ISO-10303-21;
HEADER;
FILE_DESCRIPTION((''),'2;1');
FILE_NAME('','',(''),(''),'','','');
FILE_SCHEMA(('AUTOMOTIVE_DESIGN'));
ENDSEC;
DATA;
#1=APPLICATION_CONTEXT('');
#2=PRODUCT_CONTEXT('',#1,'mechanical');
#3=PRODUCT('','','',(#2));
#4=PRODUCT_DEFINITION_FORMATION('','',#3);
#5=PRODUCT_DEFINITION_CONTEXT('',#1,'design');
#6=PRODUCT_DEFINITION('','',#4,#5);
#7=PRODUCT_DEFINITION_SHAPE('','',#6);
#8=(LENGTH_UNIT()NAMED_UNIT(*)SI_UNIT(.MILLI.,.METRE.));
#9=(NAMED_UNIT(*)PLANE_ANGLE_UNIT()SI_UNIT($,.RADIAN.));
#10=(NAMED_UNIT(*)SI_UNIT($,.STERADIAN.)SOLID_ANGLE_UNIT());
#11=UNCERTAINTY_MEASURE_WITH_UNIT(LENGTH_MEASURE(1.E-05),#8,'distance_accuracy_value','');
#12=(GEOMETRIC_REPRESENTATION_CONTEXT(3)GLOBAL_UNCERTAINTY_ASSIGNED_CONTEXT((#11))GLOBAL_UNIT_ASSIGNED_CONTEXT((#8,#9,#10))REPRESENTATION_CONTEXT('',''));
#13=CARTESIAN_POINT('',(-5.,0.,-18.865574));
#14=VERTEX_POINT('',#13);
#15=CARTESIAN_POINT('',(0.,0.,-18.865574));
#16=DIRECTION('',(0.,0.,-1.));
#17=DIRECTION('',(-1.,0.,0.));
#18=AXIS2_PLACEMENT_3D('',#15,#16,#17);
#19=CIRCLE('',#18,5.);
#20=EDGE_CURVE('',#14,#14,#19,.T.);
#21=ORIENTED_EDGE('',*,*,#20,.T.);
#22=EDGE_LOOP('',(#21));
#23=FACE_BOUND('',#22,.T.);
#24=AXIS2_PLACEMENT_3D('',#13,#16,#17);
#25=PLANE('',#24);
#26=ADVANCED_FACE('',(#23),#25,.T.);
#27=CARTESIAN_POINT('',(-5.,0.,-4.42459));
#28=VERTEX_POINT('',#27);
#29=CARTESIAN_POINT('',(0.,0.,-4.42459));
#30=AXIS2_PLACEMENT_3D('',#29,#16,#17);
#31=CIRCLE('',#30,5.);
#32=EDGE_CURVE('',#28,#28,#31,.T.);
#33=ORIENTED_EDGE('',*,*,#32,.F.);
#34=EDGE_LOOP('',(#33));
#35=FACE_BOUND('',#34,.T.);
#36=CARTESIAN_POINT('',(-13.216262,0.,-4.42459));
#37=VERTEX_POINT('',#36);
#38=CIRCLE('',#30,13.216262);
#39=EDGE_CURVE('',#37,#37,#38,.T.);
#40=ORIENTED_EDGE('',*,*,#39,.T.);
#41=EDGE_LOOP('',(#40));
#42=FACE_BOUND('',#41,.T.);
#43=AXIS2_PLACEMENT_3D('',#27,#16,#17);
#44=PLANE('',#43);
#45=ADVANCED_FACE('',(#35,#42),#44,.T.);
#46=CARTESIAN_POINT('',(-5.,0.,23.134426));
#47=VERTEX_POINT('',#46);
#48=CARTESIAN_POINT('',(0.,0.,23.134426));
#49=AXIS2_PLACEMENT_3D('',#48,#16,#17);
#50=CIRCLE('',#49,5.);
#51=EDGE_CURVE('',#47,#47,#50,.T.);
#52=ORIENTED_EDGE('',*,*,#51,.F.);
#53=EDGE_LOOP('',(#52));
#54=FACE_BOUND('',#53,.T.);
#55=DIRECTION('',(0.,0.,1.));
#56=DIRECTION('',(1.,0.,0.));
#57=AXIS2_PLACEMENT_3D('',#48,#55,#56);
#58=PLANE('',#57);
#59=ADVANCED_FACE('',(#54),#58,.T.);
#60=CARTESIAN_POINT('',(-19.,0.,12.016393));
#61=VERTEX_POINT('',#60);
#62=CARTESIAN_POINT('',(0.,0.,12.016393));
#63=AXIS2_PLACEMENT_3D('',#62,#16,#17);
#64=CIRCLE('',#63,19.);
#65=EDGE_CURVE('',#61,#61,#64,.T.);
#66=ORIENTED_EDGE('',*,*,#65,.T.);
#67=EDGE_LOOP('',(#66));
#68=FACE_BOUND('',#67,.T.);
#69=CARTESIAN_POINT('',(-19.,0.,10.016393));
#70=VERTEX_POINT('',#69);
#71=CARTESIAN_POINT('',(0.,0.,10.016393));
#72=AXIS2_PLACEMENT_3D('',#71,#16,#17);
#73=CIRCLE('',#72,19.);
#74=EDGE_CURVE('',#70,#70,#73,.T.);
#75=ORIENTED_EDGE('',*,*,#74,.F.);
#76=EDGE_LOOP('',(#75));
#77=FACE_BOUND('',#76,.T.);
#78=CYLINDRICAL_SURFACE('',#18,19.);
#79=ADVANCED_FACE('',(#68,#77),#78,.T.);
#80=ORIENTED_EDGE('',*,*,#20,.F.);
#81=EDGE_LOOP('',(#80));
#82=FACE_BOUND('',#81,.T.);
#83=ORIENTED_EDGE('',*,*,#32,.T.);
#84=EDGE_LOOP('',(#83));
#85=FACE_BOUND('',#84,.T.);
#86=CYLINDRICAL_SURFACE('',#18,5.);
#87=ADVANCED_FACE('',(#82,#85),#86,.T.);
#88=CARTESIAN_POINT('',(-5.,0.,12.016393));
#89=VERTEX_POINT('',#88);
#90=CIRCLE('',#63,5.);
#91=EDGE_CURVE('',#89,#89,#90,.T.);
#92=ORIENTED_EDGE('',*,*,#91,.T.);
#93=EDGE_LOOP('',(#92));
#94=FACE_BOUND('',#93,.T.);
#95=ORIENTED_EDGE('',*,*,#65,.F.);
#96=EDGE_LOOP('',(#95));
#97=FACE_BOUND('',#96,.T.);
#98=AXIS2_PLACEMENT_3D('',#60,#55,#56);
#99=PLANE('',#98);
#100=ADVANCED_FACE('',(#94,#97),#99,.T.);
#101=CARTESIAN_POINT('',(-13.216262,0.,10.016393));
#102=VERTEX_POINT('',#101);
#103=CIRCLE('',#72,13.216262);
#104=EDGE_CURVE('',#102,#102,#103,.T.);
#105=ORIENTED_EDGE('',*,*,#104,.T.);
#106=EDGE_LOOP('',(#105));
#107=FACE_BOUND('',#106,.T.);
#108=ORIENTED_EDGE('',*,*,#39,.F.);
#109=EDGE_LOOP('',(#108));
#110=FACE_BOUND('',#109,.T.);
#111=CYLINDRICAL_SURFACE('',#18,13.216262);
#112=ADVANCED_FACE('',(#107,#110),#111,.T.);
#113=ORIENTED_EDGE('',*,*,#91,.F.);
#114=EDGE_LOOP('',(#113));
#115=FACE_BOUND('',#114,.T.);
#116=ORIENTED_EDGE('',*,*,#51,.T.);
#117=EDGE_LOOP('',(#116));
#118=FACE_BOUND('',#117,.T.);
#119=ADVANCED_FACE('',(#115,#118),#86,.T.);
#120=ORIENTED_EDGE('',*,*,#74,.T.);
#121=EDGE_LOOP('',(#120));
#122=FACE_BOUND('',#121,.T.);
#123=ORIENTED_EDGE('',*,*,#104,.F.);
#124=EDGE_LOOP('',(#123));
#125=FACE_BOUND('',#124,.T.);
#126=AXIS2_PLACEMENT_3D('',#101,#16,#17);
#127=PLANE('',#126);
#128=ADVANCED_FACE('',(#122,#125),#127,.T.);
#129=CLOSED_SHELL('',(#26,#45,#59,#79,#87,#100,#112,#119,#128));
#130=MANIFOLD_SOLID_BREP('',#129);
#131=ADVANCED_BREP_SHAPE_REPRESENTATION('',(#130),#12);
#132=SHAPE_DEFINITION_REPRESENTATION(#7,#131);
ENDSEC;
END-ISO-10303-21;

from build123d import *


with BuildPart() as part:
    # Sketch1 → Revolve1 (revolve)
    with BuildSketch(Plane(origin=(0, 0, 0), x_dir=(1, 0, 0), z_dir=(0, 1, 0))):
        Polygon((-5, 18.86557377), (0, 18.86557377), (0, -23.13442623), (-5, -23.13442623), (-5, -12.016393475), (-19, -12.016393475), (-19, -10.016393411), (-13.216262453, -10.016393411), (-13.216262453, 4.42459018), (-5, 4.42459018), align=None)
    revolve(axis=Axis((0, 0, -18.86557377), (0, 0, 1)))


solid = part.part
